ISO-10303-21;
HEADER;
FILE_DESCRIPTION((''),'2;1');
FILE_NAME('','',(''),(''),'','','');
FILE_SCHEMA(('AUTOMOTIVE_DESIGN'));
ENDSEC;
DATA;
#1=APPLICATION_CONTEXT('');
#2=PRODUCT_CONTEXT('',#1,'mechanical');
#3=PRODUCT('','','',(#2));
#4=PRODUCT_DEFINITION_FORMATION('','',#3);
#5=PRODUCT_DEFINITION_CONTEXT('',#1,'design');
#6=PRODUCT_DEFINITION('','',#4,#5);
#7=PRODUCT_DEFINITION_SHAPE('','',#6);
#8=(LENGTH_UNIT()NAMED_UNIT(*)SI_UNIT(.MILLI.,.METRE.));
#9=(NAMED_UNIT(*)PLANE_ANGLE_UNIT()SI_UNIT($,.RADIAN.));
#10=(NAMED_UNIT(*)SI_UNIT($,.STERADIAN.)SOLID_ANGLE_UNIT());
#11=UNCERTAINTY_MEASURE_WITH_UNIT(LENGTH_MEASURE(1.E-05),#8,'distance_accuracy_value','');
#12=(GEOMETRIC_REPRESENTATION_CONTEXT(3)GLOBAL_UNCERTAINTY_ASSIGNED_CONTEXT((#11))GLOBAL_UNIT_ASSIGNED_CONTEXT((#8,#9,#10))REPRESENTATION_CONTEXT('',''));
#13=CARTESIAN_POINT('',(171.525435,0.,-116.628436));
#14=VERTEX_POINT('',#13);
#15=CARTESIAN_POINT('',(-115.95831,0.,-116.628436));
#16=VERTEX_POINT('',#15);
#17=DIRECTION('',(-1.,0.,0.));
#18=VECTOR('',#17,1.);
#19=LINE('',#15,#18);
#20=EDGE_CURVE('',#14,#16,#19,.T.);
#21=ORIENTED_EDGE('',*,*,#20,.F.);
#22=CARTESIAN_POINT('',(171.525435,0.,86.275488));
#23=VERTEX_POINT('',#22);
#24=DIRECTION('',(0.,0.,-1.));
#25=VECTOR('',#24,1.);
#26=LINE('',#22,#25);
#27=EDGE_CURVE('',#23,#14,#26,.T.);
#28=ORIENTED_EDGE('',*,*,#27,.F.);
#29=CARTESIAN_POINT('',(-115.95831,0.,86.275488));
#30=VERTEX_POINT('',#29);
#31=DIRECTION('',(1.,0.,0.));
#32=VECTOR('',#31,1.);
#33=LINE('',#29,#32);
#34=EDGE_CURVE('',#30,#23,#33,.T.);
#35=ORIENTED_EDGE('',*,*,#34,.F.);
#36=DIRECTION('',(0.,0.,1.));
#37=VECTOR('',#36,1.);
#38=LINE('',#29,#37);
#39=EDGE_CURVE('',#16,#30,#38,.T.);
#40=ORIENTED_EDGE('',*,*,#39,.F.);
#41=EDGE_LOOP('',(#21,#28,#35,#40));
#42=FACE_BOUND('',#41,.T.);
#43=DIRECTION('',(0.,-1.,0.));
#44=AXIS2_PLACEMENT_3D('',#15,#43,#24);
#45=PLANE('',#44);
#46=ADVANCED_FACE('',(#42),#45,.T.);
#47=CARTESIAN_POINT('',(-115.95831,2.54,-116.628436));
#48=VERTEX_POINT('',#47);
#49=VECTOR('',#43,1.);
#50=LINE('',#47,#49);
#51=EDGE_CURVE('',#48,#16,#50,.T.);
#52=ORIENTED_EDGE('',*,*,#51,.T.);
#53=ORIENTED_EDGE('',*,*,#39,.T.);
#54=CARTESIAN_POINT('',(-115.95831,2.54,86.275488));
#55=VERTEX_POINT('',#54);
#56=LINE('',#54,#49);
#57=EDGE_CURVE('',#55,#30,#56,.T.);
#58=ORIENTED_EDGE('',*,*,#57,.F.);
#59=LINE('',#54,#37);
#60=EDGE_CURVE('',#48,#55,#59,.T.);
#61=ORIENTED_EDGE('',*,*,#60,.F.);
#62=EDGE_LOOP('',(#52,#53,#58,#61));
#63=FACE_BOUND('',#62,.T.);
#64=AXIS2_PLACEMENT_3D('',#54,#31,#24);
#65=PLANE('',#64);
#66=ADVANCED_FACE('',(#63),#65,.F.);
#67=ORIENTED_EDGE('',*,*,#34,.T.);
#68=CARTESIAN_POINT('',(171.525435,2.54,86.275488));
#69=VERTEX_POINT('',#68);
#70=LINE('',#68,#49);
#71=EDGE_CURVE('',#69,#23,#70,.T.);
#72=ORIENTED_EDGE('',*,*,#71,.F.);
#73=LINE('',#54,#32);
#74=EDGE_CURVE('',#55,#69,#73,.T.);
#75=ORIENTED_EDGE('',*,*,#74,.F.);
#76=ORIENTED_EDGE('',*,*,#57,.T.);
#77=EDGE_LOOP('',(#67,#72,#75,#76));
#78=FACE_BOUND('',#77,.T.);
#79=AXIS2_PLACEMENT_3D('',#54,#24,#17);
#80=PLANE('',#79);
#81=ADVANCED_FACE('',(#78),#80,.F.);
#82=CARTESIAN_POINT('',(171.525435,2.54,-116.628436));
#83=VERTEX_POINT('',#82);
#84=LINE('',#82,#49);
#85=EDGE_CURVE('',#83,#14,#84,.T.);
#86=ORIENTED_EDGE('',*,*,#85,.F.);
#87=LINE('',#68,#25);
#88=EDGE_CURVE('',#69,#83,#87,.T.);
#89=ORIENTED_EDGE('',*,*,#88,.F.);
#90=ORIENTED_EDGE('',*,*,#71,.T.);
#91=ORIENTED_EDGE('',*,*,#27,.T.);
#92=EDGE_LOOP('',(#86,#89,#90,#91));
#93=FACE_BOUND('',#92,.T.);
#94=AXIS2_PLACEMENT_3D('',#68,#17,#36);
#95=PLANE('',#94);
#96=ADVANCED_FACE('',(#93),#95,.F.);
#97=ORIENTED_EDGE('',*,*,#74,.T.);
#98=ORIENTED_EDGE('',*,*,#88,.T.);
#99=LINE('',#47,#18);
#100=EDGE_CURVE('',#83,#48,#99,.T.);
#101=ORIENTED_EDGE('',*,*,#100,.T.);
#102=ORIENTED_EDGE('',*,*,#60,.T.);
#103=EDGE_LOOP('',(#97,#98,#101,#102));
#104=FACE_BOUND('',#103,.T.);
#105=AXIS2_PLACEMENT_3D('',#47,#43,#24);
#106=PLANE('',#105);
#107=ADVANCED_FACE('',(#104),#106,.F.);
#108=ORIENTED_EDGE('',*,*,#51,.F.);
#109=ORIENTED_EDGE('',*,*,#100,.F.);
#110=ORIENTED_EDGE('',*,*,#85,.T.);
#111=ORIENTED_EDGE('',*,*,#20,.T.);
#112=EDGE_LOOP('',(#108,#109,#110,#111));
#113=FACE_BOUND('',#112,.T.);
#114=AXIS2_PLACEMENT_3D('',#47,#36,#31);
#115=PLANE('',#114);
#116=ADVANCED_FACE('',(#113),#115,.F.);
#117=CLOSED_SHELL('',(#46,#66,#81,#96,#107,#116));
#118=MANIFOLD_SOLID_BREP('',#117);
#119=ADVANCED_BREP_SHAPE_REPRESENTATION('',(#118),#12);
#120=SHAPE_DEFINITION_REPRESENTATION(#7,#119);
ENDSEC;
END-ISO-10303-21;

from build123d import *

# Parameters (mm, degrees)
SKETCH1_W      = 287.483745419
SKETCH1_H      = 202.903923977
EXTRUDE1_DEPTH = 2.54


with BuildPart() as part:
    # Sketch1 → Extrude1 (new body)
    with BuildSketch(Plane(origin=(0, 0, 0), x_dir=(1, 0, 0), z_dir=(0, 1, 0))):
        with Locations((27.783562745, 15.176473841)):
            Rectangle(SKETCH1_W, SKETCH1_H)
    extrude(amount=EXTRUDE1_DEPTH)


solid = part.part
